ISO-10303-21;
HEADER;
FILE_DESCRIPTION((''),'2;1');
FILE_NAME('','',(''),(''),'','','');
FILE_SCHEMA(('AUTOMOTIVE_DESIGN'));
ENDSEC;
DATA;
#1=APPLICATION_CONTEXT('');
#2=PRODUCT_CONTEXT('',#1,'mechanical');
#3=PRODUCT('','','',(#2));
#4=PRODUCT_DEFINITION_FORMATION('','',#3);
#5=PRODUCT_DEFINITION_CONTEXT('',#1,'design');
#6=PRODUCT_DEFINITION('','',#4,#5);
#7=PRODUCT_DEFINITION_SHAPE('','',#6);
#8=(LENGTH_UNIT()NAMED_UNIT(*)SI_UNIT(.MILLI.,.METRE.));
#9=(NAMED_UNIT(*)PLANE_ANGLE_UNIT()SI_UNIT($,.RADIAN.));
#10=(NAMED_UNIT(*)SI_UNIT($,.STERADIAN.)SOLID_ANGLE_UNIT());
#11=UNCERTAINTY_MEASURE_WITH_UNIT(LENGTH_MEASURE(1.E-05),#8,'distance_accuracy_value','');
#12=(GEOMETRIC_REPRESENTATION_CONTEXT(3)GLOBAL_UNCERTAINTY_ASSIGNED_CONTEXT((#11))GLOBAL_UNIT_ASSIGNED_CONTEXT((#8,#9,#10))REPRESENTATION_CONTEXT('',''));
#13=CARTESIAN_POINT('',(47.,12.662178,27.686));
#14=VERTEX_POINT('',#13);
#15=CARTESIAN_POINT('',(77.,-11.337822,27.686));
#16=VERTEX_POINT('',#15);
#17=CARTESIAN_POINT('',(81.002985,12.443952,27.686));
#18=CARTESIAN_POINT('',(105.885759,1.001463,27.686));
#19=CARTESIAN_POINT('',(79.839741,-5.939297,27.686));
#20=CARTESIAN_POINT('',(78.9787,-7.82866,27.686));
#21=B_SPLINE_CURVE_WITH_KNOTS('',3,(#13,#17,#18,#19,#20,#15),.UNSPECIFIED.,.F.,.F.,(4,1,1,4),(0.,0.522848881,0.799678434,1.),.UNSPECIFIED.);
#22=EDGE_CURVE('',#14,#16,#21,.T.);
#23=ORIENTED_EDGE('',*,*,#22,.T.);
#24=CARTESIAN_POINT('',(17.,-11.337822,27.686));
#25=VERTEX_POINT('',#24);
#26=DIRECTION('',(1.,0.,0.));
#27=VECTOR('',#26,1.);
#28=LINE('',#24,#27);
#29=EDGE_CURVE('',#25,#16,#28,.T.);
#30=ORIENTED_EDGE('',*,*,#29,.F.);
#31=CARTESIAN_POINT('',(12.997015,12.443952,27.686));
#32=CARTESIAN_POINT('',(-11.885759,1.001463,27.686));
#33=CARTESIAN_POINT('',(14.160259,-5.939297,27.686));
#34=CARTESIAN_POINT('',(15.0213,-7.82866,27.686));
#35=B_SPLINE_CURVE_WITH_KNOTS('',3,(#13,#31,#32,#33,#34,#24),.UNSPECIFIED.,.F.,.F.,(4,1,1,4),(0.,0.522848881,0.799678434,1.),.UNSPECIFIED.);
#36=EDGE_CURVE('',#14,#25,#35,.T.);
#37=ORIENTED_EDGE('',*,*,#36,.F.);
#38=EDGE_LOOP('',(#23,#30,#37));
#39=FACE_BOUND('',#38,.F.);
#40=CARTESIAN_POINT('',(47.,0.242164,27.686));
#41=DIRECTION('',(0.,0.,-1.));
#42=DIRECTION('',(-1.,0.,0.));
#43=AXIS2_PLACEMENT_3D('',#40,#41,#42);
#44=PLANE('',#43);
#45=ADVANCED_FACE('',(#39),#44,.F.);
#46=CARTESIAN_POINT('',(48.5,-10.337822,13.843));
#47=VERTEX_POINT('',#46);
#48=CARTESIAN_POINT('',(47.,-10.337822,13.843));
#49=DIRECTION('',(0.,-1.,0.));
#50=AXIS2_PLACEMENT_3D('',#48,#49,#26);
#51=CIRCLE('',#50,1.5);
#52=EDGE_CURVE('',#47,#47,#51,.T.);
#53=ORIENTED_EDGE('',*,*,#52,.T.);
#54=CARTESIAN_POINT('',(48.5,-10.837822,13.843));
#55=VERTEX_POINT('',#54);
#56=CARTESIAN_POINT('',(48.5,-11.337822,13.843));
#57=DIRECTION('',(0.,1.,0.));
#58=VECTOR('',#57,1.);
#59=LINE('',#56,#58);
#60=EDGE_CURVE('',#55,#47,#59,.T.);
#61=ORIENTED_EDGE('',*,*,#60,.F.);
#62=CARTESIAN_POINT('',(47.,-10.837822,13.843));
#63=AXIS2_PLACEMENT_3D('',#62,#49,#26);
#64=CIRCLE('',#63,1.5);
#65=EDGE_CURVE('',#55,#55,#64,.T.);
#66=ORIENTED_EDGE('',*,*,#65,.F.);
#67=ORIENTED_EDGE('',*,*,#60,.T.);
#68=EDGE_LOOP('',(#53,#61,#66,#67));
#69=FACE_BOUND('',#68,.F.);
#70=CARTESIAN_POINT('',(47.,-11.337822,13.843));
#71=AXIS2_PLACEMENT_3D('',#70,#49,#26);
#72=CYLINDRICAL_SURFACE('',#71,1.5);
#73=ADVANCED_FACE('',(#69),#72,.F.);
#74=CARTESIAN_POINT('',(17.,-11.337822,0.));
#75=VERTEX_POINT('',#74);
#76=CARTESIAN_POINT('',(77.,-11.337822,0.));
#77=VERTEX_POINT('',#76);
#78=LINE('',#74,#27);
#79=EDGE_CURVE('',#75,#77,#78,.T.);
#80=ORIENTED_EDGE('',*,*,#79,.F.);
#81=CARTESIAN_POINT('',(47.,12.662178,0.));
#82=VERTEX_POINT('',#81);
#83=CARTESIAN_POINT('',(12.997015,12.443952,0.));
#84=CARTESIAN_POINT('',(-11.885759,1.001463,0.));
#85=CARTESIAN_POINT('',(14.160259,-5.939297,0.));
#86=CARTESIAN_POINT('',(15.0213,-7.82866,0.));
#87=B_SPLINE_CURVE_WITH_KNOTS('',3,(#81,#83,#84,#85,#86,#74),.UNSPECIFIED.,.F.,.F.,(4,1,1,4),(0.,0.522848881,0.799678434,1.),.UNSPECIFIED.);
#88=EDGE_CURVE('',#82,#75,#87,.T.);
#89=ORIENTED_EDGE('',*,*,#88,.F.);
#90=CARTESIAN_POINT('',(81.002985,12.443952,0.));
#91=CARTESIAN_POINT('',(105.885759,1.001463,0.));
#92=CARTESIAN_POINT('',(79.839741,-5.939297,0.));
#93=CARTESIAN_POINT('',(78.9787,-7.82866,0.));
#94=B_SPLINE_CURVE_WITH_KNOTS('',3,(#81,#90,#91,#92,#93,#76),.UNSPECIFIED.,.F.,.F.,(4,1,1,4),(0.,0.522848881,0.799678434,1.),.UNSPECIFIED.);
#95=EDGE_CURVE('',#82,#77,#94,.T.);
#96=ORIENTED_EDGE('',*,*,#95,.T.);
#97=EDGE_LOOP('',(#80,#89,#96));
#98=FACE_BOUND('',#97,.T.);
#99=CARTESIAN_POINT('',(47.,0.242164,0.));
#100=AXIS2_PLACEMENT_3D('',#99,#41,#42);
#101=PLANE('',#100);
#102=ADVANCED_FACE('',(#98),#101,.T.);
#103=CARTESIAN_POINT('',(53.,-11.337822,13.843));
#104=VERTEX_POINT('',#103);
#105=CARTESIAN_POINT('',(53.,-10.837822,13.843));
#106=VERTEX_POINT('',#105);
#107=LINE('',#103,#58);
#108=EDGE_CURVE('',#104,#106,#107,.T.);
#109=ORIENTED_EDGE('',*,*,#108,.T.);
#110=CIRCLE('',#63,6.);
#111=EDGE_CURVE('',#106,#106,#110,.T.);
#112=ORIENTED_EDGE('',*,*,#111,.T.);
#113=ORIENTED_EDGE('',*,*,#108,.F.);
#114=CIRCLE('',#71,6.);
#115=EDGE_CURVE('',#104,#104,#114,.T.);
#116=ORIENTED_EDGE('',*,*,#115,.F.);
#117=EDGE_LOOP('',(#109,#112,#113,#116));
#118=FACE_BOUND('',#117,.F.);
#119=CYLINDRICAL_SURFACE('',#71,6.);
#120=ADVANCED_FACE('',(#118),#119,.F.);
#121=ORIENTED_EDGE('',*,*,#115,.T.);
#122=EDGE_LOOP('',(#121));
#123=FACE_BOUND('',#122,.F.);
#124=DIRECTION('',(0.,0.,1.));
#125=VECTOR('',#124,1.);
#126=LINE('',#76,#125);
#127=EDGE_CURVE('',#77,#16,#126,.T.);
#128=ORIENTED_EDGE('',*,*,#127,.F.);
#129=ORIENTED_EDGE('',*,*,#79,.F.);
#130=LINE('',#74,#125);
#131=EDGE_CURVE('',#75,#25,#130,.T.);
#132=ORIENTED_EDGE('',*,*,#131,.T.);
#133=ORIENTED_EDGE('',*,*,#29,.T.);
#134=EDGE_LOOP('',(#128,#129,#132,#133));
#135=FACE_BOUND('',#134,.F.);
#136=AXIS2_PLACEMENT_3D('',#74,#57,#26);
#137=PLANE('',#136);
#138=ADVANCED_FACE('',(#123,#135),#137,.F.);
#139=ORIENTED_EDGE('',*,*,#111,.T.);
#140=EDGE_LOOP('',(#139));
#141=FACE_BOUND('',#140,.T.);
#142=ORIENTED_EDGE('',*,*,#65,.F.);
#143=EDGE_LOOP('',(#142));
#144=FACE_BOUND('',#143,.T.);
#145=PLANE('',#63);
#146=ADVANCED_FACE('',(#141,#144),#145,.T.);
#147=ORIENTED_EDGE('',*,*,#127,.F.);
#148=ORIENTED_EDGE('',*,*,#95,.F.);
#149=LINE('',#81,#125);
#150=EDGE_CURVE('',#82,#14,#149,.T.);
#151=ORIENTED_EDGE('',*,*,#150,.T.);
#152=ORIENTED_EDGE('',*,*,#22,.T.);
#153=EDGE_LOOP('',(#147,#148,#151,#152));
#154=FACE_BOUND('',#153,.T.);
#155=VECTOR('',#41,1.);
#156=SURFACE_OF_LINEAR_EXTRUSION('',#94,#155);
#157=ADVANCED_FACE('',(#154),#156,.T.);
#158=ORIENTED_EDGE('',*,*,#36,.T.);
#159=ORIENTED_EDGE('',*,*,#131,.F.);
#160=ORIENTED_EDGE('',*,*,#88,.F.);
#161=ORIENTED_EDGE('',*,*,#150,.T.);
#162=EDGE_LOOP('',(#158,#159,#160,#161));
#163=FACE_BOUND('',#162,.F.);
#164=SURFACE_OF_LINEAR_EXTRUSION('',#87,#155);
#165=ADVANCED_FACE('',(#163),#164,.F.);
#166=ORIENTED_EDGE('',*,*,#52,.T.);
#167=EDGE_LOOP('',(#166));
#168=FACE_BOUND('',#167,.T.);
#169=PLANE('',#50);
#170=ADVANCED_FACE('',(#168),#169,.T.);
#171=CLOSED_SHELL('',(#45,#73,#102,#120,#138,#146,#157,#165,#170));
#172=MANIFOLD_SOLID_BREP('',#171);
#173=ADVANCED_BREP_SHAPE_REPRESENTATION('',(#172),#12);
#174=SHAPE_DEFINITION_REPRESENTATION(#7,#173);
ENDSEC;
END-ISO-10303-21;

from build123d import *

# Parameters (mm, degrees)
F1_DEPTH = 27.686
F2_R     = 1.5
F3_DEPTH = 1
F5_R     = 6
F6_DEPTH = 0.5


with BuildPart() as f1:
    # F0 (on Top) → F1 (new body)
    with BuildSketch(Plane.XY):
        with BuildLine():
            add(Edge.make_bspline(
                [(47, 12.6621776968), (81.0029846206, 12.4439522624), (105.8857589942, 1.0014625109), (79.8397408889, -5.9392970144), (78.9787004684, -7.8286600721), (77, -11.3378223032)],
                knots=[0, 0, 0, 0, 0.5228488812, 0.7996784343, 1, 1, 1, 1], degree=3))
            add(Edge.make_bspline(
                [(47, 12.6621776968), (12.9970153794, 12.4439522624), (-11.8857589942, 1.0014625109), (14.1602591111, -5.9392970144), (15.0212995316, -7.8286600721), (17, -11.3378223032)],
                knots=[0, 0, 0, 0, 0.5228488812, 0.7996784343, 1, 1, 1, 1], degree=3))
            Line((17, -11.3378223032), (47, -11.3378223032))
            Line((47, -11.3378223032), (77, -11.3378223032))
        make_face()
    extrude(amount=F1_DEPTH)

    # F2 (on face) → F3 (cut)
    with BuildSketch(Plane.XZ.offset(11.3378223032)):
        with Locations((47, 13.843)):
            Circle(F2_R)
    extrude(amount=-F3_DEPTH, mode=Mode.SUBTRACT)

    # F5 (on face) → F6 (cut)
    with BuildSketch(Plane.XZ.offset(11.3378223032)):
        with Locations((47, 13.843)):
            Circle(F5_R)
    extrude(amount=-F6_DEPTH, mode=Mode.SUBTRACT)


solid = f1.part
